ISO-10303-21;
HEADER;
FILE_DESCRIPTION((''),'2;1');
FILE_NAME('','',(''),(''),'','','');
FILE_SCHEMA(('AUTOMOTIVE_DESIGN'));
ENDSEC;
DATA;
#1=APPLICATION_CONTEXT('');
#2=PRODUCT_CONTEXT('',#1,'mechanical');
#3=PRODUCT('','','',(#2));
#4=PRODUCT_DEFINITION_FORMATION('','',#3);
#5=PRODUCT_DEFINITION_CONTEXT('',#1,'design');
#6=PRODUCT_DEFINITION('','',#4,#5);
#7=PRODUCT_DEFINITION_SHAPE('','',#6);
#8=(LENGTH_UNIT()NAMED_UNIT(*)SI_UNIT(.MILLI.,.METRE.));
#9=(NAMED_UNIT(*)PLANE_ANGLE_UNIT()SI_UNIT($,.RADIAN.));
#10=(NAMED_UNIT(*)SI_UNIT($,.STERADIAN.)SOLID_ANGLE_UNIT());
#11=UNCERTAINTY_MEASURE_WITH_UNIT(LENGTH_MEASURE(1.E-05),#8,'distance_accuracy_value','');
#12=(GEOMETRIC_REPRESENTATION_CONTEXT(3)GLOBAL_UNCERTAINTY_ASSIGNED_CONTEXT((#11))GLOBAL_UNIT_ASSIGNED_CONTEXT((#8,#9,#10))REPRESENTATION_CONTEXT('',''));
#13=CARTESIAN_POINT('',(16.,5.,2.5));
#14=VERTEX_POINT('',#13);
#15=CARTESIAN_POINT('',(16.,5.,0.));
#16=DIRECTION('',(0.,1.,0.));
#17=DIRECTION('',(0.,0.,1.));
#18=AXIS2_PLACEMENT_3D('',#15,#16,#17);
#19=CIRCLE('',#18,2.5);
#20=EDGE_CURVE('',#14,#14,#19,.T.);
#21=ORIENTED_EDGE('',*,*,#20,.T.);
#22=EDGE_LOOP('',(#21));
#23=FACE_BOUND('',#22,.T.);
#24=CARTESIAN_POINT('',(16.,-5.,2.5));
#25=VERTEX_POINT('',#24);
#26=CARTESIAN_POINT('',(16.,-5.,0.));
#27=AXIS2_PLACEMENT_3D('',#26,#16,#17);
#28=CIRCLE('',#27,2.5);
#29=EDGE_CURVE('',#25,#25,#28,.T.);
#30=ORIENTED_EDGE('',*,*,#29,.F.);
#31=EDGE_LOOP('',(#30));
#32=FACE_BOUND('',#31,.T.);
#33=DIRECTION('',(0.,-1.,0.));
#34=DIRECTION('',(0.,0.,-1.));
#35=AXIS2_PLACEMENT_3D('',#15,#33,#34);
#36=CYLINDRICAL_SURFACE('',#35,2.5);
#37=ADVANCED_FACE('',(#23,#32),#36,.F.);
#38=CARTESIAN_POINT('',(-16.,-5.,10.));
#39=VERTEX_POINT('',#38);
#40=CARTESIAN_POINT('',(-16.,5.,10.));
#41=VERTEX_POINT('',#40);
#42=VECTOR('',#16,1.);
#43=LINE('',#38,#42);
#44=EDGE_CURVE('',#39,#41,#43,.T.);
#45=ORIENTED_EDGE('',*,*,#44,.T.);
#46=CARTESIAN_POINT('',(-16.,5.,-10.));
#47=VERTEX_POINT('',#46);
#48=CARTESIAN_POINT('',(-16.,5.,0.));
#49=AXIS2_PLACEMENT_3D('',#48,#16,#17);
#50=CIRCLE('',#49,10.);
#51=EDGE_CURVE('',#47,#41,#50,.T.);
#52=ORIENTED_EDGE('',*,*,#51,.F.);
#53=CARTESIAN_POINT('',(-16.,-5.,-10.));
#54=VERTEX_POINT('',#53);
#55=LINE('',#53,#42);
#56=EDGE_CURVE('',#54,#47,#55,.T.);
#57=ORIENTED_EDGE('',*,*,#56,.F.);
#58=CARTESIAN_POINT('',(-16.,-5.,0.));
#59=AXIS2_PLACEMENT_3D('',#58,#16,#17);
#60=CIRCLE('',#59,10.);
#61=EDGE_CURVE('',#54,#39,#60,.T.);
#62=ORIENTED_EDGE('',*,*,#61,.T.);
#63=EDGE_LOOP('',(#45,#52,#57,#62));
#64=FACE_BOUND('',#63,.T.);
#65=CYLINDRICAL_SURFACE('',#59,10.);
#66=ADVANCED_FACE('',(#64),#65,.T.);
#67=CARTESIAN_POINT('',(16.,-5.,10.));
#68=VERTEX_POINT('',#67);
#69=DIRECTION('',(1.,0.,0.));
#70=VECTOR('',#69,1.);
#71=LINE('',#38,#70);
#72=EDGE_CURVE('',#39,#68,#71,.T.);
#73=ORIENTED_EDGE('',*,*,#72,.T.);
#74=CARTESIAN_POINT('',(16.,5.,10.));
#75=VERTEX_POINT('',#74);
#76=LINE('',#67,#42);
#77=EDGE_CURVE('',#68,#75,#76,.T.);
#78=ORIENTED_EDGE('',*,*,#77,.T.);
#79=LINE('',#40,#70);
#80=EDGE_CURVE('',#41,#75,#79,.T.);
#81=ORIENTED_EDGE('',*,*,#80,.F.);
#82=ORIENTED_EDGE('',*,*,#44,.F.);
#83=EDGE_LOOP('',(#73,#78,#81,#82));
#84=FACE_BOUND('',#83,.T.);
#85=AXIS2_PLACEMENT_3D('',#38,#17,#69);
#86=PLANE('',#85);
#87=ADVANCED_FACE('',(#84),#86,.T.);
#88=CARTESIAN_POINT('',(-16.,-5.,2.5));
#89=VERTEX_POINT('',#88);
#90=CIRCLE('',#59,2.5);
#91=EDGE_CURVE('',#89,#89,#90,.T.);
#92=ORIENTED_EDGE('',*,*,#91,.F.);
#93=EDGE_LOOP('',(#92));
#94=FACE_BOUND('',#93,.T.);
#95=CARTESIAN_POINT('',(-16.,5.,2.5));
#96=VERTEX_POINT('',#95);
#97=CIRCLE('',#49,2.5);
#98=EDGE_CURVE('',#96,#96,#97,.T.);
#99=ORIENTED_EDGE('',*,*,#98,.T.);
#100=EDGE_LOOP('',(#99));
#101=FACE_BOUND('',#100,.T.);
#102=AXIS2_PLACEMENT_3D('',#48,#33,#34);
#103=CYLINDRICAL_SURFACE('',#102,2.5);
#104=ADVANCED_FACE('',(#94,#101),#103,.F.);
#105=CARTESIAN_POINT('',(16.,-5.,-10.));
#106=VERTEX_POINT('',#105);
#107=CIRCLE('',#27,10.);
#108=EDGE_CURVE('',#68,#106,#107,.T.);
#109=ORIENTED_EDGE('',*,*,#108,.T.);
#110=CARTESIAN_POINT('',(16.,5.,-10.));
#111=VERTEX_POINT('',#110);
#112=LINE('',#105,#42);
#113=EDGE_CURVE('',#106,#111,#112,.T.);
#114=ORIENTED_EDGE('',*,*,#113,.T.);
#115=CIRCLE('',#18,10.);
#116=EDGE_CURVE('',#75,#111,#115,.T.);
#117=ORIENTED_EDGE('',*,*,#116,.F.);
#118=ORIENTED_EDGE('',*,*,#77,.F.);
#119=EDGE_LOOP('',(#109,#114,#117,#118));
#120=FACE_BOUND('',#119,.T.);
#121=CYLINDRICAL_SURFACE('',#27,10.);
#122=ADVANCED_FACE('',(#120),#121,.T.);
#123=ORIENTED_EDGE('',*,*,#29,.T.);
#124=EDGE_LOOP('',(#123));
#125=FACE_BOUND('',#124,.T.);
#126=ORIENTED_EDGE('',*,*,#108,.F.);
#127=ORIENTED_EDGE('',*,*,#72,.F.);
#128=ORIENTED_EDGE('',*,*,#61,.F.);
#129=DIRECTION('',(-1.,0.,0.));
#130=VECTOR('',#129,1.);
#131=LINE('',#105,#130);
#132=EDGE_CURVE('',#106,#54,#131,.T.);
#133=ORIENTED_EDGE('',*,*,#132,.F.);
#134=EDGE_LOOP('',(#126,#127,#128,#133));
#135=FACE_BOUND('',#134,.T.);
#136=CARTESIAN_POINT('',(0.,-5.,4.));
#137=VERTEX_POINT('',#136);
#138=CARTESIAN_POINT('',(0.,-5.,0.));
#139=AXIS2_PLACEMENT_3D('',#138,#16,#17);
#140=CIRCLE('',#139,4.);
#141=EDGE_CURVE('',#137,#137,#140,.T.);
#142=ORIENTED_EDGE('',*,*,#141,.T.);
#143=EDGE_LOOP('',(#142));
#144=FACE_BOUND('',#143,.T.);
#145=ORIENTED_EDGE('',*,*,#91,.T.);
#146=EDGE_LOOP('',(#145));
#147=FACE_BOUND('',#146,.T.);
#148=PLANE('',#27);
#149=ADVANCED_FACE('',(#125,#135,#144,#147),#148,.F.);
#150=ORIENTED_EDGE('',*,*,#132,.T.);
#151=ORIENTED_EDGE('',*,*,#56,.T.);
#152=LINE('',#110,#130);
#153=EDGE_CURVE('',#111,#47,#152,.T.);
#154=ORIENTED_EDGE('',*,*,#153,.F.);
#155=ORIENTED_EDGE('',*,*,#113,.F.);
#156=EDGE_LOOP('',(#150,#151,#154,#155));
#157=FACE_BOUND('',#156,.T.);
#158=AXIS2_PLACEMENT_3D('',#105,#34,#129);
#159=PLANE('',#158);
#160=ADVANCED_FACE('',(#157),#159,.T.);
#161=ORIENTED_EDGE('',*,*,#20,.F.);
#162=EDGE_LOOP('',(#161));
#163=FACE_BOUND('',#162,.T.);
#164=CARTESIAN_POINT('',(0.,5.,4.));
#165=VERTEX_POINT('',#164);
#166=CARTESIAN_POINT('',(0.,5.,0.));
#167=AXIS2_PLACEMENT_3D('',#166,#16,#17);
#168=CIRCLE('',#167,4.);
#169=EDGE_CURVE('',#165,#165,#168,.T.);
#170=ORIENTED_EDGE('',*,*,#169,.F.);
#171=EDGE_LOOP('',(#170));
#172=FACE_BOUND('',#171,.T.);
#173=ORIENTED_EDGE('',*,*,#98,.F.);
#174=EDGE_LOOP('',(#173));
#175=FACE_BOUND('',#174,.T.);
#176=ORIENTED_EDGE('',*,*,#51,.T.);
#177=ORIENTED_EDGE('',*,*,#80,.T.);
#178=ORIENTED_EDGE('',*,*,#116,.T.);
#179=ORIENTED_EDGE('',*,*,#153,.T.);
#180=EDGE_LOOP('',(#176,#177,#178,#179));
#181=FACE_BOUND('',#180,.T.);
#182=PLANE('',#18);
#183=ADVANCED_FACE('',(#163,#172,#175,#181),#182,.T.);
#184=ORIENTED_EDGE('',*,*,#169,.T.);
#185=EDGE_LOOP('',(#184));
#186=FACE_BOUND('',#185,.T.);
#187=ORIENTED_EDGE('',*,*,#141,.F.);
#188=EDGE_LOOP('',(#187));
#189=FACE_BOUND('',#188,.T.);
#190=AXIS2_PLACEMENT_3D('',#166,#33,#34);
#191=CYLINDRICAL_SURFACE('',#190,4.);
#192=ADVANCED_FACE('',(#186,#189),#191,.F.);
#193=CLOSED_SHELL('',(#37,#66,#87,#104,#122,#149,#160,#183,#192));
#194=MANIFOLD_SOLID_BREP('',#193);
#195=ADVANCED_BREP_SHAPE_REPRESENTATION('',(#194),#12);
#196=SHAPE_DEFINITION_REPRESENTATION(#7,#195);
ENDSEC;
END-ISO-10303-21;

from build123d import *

# Parameters (mm, degrees)
RESSALTO_EXTRUS_O1_DEPTH      = 5
RESSALTO_EXTRUS_O1_DEPTH_BACK = 5
CORTE_EXTRUS_O1_DEPTH         = 5
CORTE_EXTRUS_O1_DEPTH_BACK    = 5
ESBO_O1_R                     = 4
ESBO_O1_R_2                   = 2.5


with BuildPart() as part:
    # Esboço2 → Ressalto-extrusão1 (new, two sides: drawn at the far end of the back side and taken through both)
    with BuildSketch(Plane(origin=(0, 0, 0), x_dir=(1, 0, 0), z_dir=(0, 1, 0)).offset(-RESSALTO_EXTRUS_O1_DEPTH_BACK)):
        with BuildLine():
            Line((16, 10), (-16, 10))
            ThreePointArc((-16, 10), (-26, 0), (-16, -10))
            Line((-16, -10), (16, -10))
            ThreePointArc((16, -10), (26, 0), (16, 10))
        make_face()
    extrude(amount=RESSALTO_EXTRUS_O1_DEPTH + RESSALTO_EXTRUS_O1_DEPTH_BACK)

    # Esboço1 → Corte-extrusão1 (cut, two sides: drawn at the far end of the back side and taken through both)
    with BuildSketch(Plane(origin=(0, 0, 0), x_dir=(1, 0, 0), z_dir=(0, 1, 0)).offset(-CORTE_EXTRUS_O1_DEPTH_BACK)):
        Circle(ESBO_O1_R)
        with Locations((16, 0)):
            Circle(ESBO_O1_R_2)
        with Locations((-16, 0)):
            Circle(ESBO_O1_R_2)
    extrude(amount=CORTE_EXTRUS_O1_DEPTH + CORTE_EXTRUS_O1_DEPTH_BACK, mode=Mode.SUBTRACT)


solid = part.part
